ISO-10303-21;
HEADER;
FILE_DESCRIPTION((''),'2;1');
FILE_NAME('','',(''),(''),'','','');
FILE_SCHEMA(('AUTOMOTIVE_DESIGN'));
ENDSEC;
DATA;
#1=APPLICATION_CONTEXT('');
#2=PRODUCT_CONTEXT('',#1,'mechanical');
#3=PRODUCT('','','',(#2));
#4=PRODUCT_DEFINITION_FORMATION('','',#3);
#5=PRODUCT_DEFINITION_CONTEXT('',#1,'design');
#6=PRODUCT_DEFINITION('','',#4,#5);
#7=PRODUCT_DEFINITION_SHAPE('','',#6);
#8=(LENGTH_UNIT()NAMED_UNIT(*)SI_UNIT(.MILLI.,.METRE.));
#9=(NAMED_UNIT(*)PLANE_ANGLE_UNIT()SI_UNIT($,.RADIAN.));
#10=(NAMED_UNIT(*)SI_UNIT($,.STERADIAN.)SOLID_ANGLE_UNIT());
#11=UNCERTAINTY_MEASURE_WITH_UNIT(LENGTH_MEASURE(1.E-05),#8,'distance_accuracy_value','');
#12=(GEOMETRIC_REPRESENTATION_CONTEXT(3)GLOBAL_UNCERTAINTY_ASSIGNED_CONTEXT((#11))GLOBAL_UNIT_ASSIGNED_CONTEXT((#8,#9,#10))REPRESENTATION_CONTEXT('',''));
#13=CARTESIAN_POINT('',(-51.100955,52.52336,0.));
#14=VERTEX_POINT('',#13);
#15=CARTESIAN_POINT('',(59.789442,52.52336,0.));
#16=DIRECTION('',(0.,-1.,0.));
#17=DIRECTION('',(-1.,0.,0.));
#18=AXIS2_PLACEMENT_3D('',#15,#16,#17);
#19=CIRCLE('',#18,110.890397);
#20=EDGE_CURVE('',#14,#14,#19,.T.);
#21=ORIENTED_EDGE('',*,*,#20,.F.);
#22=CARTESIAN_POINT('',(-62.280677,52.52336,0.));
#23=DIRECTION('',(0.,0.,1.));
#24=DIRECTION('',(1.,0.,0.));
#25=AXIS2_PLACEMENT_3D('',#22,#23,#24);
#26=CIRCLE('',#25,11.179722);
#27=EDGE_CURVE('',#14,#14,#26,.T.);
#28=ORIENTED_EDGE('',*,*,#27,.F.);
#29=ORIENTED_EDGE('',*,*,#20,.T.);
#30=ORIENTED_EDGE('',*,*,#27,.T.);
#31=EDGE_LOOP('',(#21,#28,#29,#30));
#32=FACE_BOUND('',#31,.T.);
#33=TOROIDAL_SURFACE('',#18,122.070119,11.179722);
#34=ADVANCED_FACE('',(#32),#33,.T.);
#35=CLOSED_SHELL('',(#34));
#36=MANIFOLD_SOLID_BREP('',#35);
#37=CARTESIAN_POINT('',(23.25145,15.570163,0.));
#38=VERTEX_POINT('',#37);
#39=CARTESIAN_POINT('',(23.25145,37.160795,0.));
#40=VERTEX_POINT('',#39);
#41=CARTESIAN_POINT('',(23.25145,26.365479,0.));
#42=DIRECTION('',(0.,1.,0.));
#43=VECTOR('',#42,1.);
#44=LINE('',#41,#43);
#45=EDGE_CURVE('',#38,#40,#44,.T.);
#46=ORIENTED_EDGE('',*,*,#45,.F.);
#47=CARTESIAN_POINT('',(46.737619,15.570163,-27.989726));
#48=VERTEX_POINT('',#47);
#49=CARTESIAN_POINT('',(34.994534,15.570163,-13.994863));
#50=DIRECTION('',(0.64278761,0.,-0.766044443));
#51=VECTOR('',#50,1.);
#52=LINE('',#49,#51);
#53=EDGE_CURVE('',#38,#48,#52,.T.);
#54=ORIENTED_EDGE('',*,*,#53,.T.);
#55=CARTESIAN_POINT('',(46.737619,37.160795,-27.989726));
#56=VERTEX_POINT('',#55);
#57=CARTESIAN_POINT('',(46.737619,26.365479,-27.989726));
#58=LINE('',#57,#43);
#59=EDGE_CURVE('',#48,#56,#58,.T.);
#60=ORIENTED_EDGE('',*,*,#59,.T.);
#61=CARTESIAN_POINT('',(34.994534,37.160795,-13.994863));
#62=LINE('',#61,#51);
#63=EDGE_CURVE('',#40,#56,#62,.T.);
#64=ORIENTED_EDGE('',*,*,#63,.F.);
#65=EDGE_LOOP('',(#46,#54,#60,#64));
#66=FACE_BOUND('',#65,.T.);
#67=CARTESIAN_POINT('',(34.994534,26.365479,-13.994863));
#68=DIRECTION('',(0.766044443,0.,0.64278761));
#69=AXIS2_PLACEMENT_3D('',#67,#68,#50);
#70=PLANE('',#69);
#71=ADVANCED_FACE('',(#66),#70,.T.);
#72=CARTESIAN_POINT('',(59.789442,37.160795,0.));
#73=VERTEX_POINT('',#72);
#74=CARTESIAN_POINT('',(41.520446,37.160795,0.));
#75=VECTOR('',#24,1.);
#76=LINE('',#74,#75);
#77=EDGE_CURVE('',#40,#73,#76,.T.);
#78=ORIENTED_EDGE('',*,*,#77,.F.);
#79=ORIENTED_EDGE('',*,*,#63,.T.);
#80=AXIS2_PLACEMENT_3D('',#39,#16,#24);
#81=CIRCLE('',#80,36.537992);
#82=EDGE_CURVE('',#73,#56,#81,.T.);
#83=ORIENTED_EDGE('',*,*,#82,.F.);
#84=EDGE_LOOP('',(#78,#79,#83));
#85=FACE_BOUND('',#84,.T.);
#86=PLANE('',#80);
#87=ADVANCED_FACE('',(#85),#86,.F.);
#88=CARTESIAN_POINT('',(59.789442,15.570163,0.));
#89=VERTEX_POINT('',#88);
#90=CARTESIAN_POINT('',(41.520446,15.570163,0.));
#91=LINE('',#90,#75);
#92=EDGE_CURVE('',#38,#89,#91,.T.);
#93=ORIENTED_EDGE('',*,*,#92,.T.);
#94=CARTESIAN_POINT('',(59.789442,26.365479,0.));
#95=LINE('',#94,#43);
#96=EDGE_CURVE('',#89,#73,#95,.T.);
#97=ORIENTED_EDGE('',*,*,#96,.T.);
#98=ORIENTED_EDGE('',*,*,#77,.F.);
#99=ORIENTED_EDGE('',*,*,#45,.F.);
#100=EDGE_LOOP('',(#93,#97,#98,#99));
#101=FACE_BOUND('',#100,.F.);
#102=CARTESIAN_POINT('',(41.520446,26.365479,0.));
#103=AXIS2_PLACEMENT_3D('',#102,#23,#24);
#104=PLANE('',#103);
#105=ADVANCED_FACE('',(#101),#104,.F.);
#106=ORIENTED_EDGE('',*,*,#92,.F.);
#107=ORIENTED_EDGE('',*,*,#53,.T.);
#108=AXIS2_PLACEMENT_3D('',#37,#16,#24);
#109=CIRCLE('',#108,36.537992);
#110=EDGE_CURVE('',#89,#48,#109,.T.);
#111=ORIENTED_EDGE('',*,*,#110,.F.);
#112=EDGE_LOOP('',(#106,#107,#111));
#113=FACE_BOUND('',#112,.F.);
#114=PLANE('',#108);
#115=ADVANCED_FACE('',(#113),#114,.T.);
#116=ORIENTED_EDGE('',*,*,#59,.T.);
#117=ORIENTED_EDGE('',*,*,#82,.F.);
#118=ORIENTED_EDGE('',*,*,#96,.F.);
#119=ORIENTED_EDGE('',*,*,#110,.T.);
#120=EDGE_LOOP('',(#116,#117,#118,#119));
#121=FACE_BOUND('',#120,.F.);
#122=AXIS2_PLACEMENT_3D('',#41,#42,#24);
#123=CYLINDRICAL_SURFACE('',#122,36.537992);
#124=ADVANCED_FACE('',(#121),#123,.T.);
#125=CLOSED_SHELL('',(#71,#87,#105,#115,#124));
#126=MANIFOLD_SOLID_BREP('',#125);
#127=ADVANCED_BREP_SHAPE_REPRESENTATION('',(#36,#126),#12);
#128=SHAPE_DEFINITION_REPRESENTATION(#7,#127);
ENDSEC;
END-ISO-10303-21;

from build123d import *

# Parameters (mm, degrees)
F0_W     = 36.537992
F0_H     = 21.590633
F1_ANGLE = 310
F0_R     = 11.179722


with BuildPart() as f1:
    # F0 (on Top) → F1 (revolve)
    with BuildSketch(Plane.XY):
        with Locations((41.520446, 26.365479)):
            Rectangle(F0_W, F0_H)
    revolve(axis=Axis((23.25145, 26.365479, 0), (0, -1, 0)), revolution_arc=F1_ANGLE)


with BuildPart() as f2:
    # F0 (on Top) → F2 (revolve)
    with BuildSketch(Plane.XY):
        with Locations((-62.280677, 52.52336)):
            Circle(F0_R)
    revolve(axis=Axis((59.789442, 26.365479, 0), (0, -1, 0)))


solid = Compound([f1.part, f2.part])
